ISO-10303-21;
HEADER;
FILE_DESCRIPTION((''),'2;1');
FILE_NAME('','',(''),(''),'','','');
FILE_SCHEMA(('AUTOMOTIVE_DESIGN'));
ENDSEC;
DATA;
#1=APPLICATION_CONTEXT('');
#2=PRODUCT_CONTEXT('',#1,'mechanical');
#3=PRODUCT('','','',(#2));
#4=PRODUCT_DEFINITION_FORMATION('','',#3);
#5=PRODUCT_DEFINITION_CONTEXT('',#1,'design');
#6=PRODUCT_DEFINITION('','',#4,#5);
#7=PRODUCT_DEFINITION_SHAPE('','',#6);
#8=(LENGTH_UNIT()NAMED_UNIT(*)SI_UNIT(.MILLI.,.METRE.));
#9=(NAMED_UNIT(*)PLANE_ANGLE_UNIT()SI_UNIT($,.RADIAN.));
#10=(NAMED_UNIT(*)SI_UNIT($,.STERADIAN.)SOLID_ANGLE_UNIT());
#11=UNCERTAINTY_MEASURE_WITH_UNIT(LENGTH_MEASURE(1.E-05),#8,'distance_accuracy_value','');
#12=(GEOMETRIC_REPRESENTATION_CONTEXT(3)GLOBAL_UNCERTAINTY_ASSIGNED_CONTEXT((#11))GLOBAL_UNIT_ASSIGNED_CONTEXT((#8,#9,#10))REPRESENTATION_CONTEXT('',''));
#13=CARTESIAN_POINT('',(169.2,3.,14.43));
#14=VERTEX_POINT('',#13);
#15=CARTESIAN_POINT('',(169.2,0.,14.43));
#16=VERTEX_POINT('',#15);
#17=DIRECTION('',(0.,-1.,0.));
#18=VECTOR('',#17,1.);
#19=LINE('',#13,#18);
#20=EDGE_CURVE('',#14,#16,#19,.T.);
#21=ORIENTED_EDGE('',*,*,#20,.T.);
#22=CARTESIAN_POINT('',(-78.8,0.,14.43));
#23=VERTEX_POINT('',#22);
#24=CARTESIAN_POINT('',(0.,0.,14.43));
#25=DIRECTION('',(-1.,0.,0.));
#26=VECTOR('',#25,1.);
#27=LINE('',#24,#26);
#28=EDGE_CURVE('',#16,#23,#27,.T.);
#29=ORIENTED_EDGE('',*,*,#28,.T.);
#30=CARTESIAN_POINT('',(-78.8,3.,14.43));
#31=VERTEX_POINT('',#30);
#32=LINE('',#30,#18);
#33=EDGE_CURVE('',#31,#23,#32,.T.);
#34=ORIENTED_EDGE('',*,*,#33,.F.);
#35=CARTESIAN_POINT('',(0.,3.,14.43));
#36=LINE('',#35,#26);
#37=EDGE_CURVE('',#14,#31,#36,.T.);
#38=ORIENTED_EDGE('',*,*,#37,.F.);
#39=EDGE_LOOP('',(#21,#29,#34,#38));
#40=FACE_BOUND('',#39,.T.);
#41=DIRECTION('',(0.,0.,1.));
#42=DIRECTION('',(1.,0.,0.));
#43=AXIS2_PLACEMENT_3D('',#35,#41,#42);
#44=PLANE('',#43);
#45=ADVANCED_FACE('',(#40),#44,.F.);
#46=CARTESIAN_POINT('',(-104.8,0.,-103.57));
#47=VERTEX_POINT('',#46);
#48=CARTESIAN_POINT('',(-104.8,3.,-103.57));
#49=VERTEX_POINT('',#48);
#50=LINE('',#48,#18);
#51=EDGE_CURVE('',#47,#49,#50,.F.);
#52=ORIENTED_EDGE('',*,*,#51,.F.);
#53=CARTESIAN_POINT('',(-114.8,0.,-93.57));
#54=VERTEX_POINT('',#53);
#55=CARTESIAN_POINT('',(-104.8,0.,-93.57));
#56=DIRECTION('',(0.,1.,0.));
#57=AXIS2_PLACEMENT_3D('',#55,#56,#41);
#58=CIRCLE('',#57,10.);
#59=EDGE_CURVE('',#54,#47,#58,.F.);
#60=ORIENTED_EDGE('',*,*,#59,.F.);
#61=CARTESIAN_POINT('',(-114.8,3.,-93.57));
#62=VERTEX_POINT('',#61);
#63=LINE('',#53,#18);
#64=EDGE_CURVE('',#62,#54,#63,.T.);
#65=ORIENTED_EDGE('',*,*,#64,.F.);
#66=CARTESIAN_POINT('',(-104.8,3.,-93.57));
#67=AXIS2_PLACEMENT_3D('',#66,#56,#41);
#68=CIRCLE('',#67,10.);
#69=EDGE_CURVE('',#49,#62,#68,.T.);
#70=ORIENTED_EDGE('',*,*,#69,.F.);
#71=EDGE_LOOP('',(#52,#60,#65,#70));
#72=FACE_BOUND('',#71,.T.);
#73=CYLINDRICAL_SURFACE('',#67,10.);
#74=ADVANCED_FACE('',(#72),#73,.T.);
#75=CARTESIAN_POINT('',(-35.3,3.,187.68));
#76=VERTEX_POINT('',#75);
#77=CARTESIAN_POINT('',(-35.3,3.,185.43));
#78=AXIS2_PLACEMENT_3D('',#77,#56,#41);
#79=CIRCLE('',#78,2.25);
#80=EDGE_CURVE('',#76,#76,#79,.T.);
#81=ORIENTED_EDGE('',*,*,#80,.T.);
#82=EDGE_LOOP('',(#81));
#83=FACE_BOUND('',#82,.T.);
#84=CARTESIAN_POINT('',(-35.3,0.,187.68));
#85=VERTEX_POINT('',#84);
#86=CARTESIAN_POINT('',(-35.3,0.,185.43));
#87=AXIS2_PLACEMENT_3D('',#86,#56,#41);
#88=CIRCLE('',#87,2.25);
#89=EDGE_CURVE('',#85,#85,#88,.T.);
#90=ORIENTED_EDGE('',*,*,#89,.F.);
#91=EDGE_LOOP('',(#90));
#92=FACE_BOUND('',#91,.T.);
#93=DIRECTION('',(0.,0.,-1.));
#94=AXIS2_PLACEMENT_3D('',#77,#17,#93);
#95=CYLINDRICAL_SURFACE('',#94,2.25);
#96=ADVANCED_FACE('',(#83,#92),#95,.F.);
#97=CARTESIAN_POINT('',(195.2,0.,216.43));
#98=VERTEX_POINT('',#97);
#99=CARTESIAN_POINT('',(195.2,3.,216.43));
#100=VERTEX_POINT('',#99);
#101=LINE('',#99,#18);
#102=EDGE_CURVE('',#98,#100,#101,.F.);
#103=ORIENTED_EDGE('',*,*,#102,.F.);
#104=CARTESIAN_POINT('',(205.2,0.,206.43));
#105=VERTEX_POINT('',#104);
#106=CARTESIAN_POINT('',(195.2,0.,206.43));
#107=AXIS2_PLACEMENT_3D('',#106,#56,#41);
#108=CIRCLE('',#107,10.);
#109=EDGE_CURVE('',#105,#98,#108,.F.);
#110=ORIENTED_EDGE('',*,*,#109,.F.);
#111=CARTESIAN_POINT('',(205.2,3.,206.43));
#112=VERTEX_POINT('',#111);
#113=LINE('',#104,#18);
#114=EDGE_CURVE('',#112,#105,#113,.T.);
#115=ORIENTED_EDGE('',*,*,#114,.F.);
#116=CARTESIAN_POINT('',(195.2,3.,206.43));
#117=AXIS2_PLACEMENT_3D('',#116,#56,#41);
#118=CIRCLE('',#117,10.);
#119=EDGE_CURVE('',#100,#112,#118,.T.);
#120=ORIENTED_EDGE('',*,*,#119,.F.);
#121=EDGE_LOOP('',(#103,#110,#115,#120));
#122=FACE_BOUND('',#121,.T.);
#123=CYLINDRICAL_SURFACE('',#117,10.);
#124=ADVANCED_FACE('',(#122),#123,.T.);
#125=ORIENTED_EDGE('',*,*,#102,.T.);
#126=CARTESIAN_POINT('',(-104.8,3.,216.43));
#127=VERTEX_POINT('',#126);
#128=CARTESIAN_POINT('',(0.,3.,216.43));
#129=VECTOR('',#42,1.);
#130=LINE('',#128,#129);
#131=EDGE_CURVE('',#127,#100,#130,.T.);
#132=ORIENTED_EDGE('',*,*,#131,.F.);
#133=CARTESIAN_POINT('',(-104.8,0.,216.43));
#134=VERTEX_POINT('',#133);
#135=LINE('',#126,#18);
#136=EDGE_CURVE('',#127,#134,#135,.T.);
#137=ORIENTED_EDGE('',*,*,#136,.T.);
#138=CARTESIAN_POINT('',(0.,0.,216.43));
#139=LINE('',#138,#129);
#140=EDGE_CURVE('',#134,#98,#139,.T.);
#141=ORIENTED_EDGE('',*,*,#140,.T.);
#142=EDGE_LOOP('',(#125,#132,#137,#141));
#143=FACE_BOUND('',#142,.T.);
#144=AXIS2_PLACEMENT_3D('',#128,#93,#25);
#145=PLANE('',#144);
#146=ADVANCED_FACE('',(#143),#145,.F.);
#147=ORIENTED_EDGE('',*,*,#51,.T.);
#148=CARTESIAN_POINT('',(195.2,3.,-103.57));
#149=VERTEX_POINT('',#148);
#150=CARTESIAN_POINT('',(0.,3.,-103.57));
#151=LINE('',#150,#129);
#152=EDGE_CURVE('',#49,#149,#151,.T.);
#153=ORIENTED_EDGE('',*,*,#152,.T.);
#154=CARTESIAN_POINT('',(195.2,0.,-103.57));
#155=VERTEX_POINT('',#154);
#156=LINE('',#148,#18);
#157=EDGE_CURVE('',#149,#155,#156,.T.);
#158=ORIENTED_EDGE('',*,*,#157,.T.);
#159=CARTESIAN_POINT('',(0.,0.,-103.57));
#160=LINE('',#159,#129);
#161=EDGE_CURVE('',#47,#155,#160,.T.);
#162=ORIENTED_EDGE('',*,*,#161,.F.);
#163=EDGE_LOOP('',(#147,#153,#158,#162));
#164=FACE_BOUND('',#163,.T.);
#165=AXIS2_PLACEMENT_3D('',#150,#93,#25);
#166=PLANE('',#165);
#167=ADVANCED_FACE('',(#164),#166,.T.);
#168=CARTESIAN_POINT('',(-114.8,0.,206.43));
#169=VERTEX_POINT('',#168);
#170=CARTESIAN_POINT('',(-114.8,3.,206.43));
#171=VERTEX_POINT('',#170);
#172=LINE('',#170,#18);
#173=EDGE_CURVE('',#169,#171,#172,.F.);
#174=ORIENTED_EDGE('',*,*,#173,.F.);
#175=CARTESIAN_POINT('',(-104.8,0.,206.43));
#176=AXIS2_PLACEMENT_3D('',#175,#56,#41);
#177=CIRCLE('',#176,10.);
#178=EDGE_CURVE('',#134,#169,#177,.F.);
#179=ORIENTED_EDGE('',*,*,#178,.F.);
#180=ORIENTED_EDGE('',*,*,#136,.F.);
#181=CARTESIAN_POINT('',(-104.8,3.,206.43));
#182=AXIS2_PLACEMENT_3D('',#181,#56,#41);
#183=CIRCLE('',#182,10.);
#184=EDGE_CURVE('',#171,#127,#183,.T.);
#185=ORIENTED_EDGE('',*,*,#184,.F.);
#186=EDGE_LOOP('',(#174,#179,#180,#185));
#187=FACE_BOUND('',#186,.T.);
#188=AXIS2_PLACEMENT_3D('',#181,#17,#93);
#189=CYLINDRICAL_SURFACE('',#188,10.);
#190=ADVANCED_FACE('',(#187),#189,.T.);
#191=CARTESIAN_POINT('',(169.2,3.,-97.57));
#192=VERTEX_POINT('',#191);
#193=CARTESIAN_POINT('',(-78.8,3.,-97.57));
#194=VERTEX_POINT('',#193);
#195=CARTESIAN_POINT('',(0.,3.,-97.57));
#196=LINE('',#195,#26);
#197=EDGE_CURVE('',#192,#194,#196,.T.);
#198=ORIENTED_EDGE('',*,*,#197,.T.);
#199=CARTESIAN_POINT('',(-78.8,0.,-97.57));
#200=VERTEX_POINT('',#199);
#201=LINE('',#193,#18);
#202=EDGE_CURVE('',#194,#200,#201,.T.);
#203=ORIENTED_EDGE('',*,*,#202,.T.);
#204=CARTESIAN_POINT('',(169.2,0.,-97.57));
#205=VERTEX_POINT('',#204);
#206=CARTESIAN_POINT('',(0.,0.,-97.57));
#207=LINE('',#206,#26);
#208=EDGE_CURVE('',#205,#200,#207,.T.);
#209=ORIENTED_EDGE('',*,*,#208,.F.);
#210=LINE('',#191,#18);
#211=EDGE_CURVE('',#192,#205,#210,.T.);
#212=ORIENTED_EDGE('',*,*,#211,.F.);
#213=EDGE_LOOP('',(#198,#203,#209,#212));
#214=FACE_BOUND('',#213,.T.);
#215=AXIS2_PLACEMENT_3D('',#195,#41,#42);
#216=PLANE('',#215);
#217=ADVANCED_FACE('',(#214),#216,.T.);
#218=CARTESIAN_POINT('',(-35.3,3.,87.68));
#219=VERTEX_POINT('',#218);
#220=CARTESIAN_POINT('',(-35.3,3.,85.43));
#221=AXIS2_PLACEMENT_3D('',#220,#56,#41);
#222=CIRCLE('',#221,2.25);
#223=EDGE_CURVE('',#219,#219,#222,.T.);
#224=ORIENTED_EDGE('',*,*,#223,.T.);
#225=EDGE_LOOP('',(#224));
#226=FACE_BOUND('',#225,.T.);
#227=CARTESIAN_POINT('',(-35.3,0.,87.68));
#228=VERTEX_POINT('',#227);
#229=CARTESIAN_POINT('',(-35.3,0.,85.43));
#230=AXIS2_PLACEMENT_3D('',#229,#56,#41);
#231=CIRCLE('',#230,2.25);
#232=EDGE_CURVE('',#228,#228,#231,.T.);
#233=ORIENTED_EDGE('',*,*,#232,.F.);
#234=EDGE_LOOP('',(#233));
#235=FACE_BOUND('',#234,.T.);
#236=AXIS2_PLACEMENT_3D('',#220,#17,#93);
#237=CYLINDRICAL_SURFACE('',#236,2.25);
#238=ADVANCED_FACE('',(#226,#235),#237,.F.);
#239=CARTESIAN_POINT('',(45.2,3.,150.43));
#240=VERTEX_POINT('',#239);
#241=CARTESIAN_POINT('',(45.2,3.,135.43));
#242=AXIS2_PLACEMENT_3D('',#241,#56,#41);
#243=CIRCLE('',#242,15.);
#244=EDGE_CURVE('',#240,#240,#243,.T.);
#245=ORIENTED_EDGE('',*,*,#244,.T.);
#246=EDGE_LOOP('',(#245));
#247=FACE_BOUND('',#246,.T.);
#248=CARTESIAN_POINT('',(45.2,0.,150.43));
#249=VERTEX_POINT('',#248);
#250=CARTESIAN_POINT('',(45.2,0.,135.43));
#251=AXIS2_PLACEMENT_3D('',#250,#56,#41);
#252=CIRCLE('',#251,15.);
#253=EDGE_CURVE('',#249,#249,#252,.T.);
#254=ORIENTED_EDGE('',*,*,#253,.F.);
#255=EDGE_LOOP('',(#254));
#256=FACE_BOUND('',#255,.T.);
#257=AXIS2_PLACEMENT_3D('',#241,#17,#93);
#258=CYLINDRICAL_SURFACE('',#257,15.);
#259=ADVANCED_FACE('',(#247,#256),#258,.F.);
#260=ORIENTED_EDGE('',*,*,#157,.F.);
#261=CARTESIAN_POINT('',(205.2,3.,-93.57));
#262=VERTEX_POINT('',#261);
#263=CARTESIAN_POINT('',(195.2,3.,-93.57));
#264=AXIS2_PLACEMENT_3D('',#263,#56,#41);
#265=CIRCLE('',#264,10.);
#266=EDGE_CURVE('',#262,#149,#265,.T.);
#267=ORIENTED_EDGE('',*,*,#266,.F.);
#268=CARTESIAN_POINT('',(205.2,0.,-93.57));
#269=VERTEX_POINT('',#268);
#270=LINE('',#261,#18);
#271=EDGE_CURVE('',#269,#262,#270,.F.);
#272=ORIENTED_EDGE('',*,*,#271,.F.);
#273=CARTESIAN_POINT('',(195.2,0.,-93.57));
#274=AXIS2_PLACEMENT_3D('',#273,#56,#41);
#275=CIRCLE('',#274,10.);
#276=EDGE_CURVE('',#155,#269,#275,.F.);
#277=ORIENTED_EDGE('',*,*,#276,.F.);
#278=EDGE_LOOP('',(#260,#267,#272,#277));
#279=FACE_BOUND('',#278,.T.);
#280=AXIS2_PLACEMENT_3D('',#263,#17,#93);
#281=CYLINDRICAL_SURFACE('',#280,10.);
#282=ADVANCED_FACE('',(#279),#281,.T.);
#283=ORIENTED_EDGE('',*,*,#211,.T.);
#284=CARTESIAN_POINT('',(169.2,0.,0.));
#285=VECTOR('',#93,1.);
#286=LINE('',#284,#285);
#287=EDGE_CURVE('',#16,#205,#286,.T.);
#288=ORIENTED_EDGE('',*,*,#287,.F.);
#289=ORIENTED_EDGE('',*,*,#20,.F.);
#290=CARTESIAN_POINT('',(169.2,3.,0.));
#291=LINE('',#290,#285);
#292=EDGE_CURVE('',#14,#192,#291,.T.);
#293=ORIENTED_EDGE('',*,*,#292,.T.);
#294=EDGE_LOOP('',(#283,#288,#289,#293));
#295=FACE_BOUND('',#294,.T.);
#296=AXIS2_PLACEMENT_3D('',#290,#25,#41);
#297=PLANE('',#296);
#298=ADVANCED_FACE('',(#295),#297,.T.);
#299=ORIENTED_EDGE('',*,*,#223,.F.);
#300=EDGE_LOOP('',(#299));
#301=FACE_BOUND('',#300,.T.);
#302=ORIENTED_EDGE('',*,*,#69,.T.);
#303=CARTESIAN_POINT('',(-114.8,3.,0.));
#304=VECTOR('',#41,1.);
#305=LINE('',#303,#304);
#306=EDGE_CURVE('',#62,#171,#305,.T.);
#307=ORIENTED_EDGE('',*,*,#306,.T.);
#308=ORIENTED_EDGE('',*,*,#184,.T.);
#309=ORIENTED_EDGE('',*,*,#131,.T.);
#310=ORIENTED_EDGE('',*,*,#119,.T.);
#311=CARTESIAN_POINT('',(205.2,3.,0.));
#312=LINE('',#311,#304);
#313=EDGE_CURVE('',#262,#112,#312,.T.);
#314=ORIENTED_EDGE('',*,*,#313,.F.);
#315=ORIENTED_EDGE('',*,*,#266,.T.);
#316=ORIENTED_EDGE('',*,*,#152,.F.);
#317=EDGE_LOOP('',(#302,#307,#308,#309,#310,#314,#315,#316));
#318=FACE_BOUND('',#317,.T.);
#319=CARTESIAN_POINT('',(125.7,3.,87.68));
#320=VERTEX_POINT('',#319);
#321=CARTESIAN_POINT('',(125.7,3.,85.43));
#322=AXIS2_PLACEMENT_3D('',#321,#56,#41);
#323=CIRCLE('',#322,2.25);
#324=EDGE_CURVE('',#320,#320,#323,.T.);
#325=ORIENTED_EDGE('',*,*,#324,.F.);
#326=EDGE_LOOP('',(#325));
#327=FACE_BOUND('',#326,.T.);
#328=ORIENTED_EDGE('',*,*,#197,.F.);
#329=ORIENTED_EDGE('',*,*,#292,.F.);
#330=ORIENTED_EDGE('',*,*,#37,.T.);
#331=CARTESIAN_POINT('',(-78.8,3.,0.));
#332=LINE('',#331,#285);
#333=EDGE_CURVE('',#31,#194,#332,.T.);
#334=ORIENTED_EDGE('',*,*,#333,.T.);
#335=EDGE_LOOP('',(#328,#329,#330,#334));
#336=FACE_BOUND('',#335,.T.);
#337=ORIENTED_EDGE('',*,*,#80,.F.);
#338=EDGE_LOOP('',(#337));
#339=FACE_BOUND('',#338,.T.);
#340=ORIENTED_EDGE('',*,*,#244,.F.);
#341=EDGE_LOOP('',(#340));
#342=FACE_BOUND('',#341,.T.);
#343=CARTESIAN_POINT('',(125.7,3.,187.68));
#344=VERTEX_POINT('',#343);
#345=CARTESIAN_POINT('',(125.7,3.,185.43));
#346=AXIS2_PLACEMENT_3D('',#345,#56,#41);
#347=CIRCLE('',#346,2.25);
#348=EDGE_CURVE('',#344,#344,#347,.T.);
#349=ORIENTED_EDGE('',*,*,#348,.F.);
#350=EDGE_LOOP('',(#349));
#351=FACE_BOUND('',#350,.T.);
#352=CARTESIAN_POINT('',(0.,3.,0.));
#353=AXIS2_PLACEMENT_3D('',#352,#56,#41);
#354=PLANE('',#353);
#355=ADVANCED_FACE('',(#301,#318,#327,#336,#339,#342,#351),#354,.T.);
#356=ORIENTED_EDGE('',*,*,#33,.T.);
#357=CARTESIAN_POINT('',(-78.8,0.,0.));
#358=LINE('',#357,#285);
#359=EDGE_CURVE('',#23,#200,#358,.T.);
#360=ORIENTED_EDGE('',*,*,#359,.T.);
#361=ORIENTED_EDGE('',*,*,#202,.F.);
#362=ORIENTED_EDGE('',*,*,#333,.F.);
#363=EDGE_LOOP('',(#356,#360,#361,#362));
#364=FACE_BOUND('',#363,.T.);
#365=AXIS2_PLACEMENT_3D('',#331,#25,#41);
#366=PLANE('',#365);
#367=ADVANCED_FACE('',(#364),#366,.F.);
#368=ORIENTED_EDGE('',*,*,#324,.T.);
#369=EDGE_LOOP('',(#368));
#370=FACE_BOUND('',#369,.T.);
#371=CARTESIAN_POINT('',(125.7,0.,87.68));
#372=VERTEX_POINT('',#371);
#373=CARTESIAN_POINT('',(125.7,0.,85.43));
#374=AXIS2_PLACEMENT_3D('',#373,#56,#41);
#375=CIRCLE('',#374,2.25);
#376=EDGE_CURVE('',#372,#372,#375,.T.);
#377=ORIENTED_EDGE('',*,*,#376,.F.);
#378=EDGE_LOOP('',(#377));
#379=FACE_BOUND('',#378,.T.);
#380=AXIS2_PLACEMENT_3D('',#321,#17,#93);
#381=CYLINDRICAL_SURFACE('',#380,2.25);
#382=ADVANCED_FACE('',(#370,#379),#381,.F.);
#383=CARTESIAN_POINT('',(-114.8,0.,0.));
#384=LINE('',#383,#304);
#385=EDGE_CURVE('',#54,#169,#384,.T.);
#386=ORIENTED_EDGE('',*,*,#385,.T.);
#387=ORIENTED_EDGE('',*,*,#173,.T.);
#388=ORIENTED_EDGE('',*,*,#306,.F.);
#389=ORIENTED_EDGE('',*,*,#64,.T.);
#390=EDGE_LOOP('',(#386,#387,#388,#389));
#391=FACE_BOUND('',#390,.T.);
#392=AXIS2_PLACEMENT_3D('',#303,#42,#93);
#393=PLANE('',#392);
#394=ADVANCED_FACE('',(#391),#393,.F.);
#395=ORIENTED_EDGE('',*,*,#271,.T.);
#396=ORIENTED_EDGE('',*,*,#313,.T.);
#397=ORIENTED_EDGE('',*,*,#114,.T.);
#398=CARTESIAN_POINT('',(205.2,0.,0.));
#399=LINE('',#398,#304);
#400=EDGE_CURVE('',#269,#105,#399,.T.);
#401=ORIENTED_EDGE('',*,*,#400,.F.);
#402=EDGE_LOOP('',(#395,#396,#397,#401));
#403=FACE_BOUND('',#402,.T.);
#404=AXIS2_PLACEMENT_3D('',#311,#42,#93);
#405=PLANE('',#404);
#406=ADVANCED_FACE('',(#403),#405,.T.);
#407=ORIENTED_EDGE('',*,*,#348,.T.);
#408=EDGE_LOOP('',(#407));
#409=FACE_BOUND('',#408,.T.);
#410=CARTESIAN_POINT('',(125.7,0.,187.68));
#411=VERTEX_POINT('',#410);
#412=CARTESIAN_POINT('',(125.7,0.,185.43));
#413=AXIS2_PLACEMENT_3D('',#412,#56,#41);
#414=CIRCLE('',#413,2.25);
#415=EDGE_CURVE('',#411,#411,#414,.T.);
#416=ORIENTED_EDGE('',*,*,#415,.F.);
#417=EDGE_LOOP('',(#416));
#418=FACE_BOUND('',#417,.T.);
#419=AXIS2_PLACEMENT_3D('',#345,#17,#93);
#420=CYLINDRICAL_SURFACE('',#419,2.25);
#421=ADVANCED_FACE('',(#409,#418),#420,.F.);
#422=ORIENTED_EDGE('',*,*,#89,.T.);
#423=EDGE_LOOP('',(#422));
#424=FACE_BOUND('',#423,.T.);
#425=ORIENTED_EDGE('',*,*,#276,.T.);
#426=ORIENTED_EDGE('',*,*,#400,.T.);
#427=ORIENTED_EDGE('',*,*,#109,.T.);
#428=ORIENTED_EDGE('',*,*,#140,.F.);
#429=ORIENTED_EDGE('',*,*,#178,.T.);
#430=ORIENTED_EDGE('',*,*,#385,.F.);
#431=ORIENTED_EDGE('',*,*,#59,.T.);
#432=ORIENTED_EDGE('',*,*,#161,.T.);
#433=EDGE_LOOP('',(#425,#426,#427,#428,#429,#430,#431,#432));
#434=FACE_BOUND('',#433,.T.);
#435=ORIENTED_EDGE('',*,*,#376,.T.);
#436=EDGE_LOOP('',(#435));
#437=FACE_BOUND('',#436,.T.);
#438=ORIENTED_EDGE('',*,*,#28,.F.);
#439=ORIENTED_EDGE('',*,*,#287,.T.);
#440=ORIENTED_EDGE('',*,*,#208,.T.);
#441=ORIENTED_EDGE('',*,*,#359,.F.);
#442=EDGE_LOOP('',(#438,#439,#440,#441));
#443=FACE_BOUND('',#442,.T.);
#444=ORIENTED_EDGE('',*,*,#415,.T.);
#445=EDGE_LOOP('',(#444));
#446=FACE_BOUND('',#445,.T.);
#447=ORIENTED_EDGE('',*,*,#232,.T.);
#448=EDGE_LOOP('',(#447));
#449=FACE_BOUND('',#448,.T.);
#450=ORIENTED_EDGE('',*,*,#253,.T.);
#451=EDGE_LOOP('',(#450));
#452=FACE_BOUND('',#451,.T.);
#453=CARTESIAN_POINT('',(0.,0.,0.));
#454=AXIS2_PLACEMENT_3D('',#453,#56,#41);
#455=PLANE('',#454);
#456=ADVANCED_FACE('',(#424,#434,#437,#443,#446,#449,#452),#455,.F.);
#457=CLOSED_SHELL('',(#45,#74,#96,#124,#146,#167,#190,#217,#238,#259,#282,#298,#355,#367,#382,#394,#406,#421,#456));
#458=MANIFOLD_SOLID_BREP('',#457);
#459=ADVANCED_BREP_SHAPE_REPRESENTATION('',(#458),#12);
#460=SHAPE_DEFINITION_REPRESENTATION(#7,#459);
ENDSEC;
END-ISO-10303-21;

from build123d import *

# Parameters (mm, degrees)
SKETCH1_W           = 320
SKETCH1_H           = 320
SKETCH1_R           = 2.25
SKETCH1_R_2         = 15
SKETCH1_W_2         = 248
SKETCH1_H_2         = 112
BOSS_EXTRUDE1_DEPTH = 3
FILLET1_R           = 10


with BuildPart() as part:
    # Sketch1 → Boss-Extrude1 (new body)
    with BuildSketch(Plane(origin=(0, 0, 0), x_dir=(1, 0, 0), z_dir=(0, 1, 0))):
        with Locations((45.2, -56.43)):
            Rectangle(SKETCH1_W, SKETCH1_H)
        with Locations((-35.3, -85.43)):
            Circle(SKETCH1_R, mode=Mode.SUBTRACT)
        with Locations((125.7, -85.43)):
            Circle(SKETCH1_R, mode=Mode.SUBTRACT)
        with Locations((125.7, -185.43)):
            Circle(SKETCH1_R, mode=Mode.SUBTRACT)
        with Locations((-35.3, -185.43)):
            Circle(SKETCH1_R, mode=Mode.SUBTRACT)
        with Locations((45.2, -135.43)):
            Circle(SKETCH1_R_2, mode=Mode.SUBTRACT)
        with Locations((45.2, 41.57)):
            Rectangle(SKETCH1_W_2, SKETCH1_H_2, mode=Mode.SUBTRACT)
    extrude(amount=BOSS_EXTRUDE1_DEPTH)

    # Fillet1
    fillet1_edges = [part.edges().sort_by_distance(p)[0] for p in [
        (205.2, 1.5, 216.43),
        (-114.8, 1.5, 216.43),
        (-114.8, 1.5, -103.57),
        (205.2, 1.5, -103.57),
    ]]
    fillet(fillet1_edges, radius=FILLET1_R)


solid = part.part
